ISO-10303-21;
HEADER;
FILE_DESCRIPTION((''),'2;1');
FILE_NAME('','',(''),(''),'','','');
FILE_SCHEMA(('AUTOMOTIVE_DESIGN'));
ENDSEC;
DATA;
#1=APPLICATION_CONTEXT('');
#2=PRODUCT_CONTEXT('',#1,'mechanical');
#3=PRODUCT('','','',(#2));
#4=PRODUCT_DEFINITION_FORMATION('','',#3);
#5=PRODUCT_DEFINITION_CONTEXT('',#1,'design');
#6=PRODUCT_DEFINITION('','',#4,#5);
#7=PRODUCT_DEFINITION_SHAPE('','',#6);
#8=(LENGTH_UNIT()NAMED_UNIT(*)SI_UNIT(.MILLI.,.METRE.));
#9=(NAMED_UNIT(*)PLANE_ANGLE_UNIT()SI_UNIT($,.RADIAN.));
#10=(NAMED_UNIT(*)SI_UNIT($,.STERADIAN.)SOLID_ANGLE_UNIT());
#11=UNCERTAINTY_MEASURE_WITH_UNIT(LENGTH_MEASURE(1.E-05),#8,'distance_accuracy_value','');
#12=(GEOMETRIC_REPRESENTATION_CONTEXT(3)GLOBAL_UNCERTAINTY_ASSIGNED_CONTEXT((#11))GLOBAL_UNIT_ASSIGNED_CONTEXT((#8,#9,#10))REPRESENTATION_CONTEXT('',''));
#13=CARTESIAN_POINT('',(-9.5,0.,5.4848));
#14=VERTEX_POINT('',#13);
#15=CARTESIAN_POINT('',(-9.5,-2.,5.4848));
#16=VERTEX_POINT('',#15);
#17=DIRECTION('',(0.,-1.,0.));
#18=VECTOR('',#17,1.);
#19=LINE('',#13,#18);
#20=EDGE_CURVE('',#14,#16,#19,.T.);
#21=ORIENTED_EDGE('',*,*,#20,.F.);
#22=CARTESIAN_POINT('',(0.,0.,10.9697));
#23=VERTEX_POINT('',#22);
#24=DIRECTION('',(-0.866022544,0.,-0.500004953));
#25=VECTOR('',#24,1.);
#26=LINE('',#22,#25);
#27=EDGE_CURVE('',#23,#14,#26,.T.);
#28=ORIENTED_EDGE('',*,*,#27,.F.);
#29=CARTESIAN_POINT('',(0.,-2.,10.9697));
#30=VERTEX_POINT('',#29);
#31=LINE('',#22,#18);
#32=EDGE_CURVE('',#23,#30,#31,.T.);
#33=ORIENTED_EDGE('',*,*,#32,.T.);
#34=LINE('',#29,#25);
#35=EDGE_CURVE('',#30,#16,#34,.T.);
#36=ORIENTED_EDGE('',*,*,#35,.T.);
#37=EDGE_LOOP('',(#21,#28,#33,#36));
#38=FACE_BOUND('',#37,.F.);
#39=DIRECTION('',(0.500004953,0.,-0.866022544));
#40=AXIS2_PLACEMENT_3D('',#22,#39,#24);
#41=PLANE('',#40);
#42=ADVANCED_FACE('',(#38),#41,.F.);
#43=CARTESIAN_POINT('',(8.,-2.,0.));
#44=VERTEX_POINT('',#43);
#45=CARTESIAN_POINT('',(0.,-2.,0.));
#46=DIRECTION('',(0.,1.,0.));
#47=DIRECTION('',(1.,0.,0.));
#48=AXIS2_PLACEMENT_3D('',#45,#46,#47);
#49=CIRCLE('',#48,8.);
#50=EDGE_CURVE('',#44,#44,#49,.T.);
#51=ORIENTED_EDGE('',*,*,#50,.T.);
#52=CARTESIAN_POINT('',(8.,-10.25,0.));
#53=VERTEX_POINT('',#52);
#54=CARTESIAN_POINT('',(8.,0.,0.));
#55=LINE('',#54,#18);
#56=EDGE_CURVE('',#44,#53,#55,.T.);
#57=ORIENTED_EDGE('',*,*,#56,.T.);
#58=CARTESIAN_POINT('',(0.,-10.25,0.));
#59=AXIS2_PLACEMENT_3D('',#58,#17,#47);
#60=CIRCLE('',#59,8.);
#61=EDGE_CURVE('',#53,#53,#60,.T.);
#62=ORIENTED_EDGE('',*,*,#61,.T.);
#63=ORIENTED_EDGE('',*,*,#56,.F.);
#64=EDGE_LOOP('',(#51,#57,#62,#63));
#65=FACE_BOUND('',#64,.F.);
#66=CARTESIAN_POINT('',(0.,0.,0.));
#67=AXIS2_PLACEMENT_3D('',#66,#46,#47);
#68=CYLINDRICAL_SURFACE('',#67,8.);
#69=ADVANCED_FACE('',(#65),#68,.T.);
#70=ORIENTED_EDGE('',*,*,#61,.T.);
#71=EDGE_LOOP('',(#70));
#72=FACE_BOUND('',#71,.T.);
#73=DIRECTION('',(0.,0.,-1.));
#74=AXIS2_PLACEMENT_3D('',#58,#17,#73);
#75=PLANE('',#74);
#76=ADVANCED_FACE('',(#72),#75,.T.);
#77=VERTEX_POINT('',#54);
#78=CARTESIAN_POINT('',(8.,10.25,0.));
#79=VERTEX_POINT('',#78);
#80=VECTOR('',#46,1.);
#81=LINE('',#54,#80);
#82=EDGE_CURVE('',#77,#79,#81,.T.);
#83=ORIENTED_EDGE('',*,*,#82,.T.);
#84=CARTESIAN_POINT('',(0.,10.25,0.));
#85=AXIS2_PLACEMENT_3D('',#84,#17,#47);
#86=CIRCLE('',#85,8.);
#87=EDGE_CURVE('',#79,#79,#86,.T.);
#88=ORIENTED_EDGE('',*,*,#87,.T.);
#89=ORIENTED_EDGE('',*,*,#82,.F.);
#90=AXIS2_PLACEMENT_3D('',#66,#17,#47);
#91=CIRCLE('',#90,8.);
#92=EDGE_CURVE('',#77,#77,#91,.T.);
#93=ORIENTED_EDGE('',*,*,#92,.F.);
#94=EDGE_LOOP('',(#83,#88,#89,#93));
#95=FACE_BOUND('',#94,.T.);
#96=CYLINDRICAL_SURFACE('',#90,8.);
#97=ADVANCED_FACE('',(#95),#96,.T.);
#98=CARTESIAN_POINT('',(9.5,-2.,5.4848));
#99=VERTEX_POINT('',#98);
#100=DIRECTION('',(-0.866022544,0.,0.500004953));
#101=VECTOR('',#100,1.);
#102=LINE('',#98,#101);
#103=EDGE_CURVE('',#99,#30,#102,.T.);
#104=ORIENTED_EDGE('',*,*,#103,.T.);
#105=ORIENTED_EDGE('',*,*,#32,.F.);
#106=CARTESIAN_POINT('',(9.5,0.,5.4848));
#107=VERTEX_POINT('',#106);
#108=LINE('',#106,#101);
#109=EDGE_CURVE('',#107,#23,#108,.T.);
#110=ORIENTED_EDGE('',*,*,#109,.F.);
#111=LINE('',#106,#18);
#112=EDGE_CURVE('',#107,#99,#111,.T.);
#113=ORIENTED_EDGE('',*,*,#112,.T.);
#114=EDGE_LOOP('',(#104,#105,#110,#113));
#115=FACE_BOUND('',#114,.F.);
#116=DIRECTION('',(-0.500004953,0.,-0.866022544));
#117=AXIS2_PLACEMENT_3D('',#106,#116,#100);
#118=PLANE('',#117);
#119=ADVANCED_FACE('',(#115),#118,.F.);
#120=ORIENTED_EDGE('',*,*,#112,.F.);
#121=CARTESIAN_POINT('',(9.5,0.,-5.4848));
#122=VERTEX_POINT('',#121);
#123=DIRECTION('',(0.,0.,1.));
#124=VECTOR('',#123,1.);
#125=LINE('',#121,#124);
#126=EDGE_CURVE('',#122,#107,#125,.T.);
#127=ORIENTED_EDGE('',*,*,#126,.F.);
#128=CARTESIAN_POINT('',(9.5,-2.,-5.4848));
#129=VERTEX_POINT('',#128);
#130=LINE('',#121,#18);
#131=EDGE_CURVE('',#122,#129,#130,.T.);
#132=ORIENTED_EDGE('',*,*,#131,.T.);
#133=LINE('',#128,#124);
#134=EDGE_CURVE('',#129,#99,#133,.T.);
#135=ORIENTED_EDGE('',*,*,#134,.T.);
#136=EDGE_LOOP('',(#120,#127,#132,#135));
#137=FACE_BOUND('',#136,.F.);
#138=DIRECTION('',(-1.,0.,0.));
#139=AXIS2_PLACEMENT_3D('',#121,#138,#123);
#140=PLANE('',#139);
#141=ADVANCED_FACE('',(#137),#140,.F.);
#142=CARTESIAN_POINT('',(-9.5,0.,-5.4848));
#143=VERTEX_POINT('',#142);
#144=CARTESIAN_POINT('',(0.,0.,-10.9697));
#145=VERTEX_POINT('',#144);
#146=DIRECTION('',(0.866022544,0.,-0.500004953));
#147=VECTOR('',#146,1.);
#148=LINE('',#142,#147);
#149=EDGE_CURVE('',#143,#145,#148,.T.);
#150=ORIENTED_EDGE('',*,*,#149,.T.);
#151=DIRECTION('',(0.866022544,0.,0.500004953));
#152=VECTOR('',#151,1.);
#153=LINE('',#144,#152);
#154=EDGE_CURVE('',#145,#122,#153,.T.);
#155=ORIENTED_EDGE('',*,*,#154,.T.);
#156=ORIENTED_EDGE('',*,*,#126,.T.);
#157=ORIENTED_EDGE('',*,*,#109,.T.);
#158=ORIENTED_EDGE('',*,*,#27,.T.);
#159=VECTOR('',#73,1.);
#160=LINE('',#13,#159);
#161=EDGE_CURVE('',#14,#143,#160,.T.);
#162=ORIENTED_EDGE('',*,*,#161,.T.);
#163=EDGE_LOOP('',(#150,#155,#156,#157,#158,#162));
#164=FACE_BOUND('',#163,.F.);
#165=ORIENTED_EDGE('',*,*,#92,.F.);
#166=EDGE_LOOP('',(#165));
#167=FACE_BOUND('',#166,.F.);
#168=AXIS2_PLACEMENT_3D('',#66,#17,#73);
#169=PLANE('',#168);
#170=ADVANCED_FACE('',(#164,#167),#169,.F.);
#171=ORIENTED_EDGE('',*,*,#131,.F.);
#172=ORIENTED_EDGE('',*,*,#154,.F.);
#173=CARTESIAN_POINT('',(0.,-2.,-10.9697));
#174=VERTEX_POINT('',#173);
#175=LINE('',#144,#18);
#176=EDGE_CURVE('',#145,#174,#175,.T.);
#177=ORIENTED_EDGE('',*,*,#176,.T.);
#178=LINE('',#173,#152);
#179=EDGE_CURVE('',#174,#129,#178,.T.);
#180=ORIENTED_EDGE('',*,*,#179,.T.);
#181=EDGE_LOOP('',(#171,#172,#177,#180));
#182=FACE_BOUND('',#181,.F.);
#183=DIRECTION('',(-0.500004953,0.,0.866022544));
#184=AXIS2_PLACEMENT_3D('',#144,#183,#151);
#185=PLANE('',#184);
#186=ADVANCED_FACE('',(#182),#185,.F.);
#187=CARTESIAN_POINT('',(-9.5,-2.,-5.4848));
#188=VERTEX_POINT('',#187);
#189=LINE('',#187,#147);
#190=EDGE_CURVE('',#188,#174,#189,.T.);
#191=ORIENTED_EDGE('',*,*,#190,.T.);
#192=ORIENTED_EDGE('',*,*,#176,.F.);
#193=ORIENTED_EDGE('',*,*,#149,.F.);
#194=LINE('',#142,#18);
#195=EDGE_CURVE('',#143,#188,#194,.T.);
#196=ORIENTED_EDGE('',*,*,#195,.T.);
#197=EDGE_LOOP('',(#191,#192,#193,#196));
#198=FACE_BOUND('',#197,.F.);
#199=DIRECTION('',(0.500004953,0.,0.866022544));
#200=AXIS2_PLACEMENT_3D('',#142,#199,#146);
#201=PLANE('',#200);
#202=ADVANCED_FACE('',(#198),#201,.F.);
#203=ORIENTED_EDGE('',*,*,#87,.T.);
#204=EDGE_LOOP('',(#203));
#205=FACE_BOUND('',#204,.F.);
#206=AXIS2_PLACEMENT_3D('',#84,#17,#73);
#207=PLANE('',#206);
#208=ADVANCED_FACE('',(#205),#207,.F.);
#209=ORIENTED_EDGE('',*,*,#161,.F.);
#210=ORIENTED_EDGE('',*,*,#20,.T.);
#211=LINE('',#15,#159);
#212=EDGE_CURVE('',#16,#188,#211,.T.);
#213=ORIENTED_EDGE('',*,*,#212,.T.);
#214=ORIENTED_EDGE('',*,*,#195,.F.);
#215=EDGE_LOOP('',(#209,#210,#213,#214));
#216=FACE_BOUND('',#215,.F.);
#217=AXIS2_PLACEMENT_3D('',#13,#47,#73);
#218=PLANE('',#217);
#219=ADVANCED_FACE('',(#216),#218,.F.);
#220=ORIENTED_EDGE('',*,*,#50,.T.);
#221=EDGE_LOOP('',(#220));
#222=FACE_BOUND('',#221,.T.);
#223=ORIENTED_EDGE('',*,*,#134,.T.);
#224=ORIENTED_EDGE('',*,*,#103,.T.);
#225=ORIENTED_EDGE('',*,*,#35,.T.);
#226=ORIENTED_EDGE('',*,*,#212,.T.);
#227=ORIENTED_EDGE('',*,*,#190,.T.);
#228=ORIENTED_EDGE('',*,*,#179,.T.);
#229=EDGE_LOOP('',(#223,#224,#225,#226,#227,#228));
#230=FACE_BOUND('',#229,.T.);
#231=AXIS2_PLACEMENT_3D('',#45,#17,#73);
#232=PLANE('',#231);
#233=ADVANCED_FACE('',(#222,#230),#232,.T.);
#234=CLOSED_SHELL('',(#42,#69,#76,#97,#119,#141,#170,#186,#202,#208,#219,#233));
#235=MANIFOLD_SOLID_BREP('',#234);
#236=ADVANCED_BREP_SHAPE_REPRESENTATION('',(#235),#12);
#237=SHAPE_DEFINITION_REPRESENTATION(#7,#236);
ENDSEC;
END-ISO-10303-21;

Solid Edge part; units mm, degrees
sketch "Sketch1" plane through (0, 0, 0) normal (0, -1, 0) x (1, 0, 0)
  circle A0 centre (0, 0) radius 8
extrude "Protrusion1" add sketch "Sketch1" along normal mid plane 20.5
sketch "Sketch2" plane through (0, 0, 0) normal (0, -1, 0) x (1, 0, 0)
  line L0 (0, 10.9697) -> (-9.5, 5.4848)
  line L1 (-9.5, 5.4848) -> (-9.5, -5.4848)
  line L2 (-9.5, -5.4848) -> (0, -10.9697)
  line L3 (0, -10.9697) -> (9.5, -5.4848)
  line L4 (9.5, -5.4848) -> (9.5, 5.4848)
  line L5 (9.5, 5.4848) -> (0, 10.9697)
extrude "ExtrudedProtrusion_2" add sketch "Sketch2" along normal blind 2
